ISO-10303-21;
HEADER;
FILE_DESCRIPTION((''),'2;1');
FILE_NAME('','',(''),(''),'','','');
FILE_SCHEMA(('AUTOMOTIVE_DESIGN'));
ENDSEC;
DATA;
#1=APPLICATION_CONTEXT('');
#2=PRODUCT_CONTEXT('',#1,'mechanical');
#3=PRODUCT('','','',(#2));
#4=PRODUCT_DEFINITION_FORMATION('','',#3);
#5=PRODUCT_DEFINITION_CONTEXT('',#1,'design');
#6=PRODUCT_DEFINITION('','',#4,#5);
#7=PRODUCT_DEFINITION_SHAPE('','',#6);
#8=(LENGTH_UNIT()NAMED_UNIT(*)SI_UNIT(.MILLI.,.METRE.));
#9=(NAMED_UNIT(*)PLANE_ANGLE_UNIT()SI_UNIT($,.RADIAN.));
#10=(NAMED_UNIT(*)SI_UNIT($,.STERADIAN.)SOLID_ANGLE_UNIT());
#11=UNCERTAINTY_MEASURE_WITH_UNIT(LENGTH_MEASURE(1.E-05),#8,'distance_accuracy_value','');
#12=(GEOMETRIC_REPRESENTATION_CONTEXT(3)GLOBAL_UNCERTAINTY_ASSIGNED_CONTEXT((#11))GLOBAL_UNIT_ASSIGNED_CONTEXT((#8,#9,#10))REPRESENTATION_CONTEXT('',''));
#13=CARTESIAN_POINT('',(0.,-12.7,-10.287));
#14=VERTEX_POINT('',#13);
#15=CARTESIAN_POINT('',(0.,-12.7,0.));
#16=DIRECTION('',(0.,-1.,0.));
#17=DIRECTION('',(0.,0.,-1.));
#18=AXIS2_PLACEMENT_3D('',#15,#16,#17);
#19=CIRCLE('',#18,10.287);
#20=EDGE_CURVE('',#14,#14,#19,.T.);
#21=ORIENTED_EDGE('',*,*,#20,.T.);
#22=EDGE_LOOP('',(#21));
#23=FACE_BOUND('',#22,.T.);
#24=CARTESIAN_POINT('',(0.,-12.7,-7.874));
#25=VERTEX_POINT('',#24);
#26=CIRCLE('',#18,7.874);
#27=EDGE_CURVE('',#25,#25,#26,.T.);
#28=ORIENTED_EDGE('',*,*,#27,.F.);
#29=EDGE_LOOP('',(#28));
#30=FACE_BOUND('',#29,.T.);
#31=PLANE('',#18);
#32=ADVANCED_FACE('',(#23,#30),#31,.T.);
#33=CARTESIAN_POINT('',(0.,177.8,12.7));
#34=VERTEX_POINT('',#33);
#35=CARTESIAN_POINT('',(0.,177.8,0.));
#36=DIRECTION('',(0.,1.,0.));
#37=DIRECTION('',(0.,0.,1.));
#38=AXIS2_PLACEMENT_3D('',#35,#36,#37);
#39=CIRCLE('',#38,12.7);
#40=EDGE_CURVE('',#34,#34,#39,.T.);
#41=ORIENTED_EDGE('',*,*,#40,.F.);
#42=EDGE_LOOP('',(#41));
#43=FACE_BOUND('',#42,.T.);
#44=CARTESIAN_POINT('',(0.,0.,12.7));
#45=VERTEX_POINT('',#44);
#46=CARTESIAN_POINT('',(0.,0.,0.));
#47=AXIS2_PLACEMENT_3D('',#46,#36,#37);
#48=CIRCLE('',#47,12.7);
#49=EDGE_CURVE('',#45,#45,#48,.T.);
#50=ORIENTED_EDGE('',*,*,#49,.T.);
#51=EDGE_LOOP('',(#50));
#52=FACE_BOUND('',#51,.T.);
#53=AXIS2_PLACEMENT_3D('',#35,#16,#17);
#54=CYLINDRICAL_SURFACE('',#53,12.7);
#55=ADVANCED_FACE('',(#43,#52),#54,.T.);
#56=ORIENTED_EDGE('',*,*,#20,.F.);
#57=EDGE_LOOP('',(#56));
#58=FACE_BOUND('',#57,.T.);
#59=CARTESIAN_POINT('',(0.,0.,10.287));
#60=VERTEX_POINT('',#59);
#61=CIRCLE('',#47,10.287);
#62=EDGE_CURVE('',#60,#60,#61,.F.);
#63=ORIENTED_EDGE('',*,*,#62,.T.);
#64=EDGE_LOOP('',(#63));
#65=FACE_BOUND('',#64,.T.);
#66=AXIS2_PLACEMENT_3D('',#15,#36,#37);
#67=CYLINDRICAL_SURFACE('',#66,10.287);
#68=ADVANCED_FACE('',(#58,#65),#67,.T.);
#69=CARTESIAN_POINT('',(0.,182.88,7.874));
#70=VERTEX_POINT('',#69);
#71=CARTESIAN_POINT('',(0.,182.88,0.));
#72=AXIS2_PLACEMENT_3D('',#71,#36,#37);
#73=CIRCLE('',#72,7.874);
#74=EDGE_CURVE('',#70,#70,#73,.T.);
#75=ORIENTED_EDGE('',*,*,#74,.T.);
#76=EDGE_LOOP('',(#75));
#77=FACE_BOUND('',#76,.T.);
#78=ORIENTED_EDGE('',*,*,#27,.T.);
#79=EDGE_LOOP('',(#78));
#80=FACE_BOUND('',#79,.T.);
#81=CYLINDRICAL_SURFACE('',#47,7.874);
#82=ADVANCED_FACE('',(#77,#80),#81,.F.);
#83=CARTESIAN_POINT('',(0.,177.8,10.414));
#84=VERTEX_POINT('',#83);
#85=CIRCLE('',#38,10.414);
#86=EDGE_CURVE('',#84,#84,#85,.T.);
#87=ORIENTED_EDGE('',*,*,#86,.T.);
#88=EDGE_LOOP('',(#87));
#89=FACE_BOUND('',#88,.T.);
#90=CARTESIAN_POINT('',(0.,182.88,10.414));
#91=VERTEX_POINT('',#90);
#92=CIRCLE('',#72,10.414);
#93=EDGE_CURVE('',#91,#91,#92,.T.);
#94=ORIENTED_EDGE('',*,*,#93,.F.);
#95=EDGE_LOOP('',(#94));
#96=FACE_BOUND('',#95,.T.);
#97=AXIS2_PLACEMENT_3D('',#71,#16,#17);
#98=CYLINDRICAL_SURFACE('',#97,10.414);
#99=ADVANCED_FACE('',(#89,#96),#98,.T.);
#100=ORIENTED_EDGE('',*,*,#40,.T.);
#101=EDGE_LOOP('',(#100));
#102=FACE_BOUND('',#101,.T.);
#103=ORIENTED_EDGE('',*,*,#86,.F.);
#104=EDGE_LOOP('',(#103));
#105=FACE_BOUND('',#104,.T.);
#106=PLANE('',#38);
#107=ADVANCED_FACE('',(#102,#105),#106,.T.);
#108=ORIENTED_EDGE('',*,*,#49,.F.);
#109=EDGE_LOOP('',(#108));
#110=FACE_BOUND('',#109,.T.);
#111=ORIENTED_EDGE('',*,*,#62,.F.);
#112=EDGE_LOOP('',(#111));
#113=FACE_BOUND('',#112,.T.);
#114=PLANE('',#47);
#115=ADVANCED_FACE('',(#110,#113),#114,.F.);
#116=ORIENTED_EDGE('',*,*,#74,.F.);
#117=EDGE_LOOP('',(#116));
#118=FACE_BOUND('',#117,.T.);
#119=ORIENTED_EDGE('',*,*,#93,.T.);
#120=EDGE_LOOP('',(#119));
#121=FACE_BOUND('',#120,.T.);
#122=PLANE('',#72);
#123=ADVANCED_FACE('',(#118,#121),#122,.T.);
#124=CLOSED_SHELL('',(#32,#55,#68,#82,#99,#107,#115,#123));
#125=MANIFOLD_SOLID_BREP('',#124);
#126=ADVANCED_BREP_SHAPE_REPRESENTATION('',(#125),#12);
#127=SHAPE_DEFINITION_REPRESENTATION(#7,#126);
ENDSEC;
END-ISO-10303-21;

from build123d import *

# Parameters (mm, degrees)
SKETCH1_R           = 12.7
BOSS_EXTRUDE1_DEPTH = 177.8
SKETCH4_R           = 10.414
BOSS_EXTRUDE2_DEPTH = 5.08
SKETCH5_R           = 7.874
CUT_EXTRUDE1_DEPTH  = 184.759828036
SKETCH6_R           = 10.287
SKETCH6_R_2         = 7.874
BOSS_EXTRUDE3_DEPTH = 12.7


with BuildPart() as part:
    # Sketch1 → Boss-Extrude1 (new body)
    with BuildSketch(Plane(origin=(0, 0, 0), x_dir=(1, 0, 0), z_dir=(0, 1, 0))):
        with Locations(Location((0, 0, 0), (0, 0, 270))):
            Circle(SKETCH1_R)
    extrude(amount=BOSS_EXTRUDE1_DEPTH)

    # Sketch4 → Boss-Extrude2 (add)
    with BuildSketch(Plane(origin=(0, 177.8, 0), x_dir=(1, 0, 0), z_dir=(0, 1, 0))):
        with Locations(Location((0, 0, 0), (0, 0, 270))):
            Circle(SKETCH4_R)
    extrude(amount=BOSS_EXTRUDE2_DEPTH)

    # Sketch5 → Cut-Extrude1 (cut, through all)
    with BuildSketch(Plane(origin=(0, 182.88, 0), x_dir=(1, 0, 0), z_dir=(0, 1, 0))):
        with Locations(Location((0, 0, 0), (0, 0, 270))):
            Circle(SKETCH5_R)
    extrude(amount=-CUT_EXTRUDE1_DEPTH, mode=Mode.SUBTRACT)

    # Sketch6 → Boss-Extrude3 (add)
    with BuildSketch(Plane.XZ):
        with Locations(Location((0, 0, 0), (0, 0, 90))):
            Circle(SKETCH6_R)
        with Locations(Location((0, 0, 0), (0, 0, 90))):
            Circle(SKETCH6_R_2, mode=Mode.SUBTRACT)
    extrude(amount=BOSS_EXTRUDE3_DEPTH)


solid = part.part
